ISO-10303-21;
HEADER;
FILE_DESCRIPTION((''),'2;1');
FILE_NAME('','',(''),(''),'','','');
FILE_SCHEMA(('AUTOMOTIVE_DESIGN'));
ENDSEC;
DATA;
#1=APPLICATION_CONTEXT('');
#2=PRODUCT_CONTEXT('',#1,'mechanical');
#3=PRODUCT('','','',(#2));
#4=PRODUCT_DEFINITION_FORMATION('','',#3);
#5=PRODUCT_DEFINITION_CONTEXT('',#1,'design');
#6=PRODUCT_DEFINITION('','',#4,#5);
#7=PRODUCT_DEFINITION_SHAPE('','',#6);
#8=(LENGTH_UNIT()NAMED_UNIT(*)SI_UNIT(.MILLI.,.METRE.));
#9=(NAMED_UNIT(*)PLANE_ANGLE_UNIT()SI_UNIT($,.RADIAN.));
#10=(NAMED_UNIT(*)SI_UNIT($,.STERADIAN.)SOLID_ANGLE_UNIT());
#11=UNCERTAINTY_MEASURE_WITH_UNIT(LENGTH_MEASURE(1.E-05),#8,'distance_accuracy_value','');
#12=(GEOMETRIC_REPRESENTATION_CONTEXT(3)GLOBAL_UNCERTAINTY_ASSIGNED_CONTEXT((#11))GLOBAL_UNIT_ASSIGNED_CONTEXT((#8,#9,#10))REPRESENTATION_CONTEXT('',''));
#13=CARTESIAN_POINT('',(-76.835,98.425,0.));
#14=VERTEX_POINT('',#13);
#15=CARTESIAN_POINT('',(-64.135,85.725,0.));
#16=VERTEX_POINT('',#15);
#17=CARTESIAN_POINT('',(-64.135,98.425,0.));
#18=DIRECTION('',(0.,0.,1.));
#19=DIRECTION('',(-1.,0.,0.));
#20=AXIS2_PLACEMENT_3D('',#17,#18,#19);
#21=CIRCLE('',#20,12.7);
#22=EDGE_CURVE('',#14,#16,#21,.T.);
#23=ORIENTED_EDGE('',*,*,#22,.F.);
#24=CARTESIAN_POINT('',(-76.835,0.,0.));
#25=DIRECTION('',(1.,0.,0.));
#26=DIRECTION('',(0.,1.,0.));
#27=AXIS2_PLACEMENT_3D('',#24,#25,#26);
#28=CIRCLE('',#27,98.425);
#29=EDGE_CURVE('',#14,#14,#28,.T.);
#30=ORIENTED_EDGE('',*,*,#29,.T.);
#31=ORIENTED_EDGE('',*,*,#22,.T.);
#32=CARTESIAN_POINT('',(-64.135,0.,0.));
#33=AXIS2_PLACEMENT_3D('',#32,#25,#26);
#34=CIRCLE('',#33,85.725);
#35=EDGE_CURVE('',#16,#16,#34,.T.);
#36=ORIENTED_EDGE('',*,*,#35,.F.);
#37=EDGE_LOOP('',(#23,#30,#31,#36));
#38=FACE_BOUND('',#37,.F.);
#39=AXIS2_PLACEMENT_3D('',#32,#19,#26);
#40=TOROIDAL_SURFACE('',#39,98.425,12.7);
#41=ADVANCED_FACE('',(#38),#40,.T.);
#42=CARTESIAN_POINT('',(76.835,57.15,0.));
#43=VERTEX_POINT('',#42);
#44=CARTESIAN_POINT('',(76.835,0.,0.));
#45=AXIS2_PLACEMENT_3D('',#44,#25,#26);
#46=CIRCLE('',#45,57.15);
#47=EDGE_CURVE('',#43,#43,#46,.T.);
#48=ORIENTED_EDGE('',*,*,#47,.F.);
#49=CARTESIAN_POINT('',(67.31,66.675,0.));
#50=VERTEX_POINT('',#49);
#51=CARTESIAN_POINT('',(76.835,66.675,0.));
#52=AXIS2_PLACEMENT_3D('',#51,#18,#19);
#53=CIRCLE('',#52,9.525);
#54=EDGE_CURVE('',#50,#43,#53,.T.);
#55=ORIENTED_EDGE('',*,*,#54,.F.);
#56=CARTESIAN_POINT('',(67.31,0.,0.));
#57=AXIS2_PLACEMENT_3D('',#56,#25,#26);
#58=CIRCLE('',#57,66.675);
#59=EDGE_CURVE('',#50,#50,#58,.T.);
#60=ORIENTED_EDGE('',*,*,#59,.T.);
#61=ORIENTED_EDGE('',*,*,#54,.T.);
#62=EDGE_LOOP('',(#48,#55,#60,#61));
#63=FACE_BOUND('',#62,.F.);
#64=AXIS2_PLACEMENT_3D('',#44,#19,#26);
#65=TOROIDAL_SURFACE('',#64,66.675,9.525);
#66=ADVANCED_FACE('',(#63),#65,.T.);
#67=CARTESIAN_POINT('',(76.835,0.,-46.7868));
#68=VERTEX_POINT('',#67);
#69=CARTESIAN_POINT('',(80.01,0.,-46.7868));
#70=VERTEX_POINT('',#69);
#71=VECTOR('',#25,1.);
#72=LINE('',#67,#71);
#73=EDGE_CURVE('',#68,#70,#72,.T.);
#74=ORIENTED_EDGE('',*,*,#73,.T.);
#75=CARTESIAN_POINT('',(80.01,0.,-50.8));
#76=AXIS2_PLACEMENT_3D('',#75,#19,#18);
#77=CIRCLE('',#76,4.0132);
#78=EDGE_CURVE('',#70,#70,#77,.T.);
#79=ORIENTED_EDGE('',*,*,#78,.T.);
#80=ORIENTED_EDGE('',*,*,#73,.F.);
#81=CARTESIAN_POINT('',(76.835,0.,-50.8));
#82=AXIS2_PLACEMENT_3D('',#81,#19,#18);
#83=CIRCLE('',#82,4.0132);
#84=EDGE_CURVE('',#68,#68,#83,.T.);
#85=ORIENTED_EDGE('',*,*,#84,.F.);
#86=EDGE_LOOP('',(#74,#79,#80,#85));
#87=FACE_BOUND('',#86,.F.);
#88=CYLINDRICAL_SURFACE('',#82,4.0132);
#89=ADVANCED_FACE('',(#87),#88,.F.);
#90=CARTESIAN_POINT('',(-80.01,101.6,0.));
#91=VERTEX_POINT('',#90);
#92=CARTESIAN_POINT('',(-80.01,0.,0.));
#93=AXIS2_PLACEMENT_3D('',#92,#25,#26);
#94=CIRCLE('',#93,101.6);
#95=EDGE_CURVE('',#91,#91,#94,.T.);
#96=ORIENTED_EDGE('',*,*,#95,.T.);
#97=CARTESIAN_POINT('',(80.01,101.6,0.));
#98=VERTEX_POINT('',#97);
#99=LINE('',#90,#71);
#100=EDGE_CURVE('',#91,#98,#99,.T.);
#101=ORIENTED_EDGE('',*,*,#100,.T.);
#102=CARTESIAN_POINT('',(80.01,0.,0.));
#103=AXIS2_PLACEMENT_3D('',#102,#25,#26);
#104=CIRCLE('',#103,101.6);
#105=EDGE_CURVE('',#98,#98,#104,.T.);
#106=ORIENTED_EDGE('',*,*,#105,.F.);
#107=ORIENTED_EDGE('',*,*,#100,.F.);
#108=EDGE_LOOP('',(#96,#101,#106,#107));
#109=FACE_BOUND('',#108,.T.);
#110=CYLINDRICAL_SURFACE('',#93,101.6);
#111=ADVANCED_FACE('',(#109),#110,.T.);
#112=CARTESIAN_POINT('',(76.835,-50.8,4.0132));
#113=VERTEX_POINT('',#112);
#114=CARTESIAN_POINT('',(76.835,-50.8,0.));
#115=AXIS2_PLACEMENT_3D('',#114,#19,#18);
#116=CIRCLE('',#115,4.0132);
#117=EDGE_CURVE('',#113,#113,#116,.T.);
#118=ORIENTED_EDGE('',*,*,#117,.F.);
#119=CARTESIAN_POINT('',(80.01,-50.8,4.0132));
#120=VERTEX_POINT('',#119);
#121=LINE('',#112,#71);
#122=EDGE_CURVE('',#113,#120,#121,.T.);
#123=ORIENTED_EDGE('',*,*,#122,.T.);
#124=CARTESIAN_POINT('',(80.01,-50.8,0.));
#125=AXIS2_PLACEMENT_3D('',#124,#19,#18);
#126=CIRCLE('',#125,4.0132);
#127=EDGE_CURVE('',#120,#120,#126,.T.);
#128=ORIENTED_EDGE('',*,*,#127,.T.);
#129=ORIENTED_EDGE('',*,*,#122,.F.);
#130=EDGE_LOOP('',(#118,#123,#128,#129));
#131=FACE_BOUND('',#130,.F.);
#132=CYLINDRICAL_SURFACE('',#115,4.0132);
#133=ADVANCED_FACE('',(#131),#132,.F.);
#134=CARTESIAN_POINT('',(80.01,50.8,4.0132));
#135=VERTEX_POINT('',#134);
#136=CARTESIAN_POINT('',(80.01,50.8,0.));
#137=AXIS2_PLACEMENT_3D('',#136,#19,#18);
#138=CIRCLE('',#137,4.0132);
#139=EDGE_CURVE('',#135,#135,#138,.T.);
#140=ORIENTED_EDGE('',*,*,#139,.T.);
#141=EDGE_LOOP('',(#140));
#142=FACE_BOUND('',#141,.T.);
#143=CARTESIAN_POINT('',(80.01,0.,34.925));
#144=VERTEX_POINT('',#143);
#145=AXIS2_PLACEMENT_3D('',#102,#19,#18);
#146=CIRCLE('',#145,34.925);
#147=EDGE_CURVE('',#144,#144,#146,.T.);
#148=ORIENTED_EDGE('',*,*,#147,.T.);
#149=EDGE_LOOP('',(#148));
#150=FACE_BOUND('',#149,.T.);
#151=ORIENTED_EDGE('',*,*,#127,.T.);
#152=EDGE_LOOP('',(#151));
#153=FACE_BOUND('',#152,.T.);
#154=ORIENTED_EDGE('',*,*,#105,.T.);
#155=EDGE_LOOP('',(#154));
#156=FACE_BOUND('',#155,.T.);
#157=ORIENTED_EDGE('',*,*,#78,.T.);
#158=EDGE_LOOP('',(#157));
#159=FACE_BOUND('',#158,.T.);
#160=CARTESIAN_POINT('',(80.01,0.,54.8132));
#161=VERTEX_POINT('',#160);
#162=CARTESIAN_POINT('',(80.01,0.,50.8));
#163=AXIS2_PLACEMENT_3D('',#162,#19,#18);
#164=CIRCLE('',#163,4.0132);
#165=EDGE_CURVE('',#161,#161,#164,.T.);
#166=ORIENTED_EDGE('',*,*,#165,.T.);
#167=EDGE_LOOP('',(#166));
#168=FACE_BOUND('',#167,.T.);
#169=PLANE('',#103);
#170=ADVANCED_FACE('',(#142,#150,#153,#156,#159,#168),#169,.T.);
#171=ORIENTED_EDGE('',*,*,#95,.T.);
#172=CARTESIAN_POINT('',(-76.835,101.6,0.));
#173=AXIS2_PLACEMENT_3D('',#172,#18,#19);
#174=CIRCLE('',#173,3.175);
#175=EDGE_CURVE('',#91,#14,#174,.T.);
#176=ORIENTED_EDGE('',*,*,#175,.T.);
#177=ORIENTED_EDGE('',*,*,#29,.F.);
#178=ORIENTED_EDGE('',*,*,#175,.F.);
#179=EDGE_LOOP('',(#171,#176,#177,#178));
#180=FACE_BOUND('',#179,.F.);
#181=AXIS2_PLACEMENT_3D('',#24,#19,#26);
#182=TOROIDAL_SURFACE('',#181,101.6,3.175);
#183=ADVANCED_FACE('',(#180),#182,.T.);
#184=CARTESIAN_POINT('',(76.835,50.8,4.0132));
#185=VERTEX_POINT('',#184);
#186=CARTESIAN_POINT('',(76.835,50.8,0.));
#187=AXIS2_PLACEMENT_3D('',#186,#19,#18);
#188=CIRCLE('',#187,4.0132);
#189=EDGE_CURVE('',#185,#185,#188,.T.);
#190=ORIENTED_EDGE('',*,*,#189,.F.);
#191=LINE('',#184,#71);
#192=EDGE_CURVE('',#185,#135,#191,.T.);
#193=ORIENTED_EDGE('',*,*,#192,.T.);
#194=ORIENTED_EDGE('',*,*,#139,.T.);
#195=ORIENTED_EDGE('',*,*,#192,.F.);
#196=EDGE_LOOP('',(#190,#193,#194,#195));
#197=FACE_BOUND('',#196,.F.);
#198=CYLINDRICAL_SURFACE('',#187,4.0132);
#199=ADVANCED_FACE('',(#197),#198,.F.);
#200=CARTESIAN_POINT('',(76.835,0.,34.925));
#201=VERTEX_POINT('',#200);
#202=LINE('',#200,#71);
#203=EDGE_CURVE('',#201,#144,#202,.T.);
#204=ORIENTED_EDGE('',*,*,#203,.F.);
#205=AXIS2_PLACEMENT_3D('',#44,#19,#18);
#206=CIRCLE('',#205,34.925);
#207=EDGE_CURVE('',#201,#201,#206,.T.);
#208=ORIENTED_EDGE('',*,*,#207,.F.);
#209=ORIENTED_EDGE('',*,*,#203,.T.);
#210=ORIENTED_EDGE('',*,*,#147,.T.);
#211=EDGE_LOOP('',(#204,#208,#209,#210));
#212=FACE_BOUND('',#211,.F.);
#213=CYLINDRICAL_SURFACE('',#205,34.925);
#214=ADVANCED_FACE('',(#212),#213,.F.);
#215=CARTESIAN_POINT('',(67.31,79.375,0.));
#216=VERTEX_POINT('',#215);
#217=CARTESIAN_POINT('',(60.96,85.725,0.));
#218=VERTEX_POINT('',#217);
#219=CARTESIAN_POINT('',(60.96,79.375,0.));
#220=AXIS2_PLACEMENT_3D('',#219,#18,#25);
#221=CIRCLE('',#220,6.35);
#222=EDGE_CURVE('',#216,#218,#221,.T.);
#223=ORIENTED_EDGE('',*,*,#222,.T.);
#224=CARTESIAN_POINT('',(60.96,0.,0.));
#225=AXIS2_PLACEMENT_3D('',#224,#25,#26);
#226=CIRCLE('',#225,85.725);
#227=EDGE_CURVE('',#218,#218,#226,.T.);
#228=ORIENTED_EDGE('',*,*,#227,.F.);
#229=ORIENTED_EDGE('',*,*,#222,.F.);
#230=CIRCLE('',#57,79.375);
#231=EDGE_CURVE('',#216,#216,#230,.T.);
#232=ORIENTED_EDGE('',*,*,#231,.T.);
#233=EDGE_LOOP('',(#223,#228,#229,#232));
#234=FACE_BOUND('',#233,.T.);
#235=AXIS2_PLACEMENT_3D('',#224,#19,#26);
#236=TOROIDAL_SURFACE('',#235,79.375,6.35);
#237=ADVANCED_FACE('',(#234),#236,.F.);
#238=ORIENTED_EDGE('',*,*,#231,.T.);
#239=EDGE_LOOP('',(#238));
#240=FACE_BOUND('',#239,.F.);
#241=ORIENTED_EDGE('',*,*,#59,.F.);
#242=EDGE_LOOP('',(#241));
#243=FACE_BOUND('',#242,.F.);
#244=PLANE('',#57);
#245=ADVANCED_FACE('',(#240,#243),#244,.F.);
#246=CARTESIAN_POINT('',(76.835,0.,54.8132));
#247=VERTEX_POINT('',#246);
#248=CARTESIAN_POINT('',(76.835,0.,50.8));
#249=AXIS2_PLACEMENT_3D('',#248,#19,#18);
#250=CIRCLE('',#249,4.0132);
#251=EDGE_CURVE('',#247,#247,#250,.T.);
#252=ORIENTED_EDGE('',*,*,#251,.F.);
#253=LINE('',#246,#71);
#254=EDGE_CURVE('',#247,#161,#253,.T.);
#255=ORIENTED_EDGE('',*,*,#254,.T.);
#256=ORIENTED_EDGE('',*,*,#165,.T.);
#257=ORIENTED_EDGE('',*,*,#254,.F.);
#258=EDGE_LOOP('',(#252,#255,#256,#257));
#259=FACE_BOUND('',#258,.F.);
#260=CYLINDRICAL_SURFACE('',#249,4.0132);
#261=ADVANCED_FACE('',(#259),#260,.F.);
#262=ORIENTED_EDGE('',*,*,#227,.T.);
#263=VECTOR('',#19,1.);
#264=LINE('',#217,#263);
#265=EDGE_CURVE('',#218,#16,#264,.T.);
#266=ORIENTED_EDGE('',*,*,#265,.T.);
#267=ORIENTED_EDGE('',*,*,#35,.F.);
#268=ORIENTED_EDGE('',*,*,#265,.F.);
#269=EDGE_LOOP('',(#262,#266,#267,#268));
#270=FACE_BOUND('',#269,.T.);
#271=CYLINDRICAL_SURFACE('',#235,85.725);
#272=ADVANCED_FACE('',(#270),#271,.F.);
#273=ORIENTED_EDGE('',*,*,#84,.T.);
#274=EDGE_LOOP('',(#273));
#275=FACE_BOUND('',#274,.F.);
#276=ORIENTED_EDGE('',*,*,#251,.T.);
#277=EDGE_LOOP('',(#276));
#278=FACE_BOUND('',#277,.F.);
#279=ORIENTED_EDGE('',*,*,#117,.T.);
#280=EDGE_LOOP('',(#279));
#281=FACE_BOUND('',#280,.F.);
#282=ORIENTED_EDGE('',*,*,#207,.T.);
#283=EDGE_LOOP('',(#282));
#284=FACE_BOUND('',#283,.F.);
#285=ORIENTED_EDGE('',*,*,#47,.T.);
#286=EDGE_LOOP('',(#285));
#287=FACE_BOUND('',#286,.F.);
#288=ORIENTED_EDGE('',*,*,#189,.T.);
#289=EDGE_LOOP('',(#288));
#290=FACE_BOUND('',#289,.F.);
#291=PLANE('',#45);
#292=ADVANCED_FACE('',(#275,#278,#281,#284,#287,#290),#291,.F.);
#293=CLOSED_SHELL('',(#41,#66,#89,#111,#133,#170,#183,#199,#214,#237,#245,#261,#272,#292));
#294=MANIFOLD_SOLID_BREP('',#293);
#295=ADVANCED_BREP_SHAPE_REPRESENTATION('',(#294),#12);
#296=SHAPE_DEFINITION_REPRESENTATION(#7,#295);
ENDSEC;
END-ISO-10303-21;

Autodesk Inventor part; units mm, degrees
ref_plane "YZ Plane" through (0, 0, 0) normal (1, 0, 0) x (0, 1, 0)
ref_plane "XZ Plane" through (0, 0, 0) normal (0, 1, 0) x (-1, 0, 0)
ref_plane "XY Plane" through (0, 0, 0) normal (0, 0, 1) x (1, 0, 0)
sketch "Sketch1" plane through (0, 0, 0) normal (0, 0, 1) x (1, 0, 0)
  line L0 (-179.5854, 0) -> (123.2759, 0) projected
  line L1 (0, -20.32) -> (0, 121.92) projected
  line L2 (-80.01, 101.6) -> (80.01, 101.6)
  line L3 (80.01, 50.8) -> (-80.01, 50.8) construction
  line L4 (80.01, 0) -> (-136.3195, 0) construction
  arc A0 (-80.01, 101.6) -> (-76.835, 98.425) centre (-76.835, 101.6) ccw
  line L5 (60.96, 85.725) -> (-64.135, 85.725)
  arc A1 (-76.835, 98.425) -> (-64.135, 85.725) centre (-64.135, 98.425) ccw
  arc A2 (67.31, 66.675) -> (76.835, 57.15) centre (76.835, 66.675) ccw
  arc A3 (67.31, 79.375) -> (60.96, 85.725) centre (60.96, 79.375) ccw
  line L6 (67.31, 79.375) -> (67.31, 66.675)
  line L7 (80.01, 101.6) -> (80.01, 0)
  line L8 (80.01, 98.425) -> (-76.835, 98.425) construction
  line L9 (-64.135, 85.725) -> (-64.135, 101.6) construction
  line L10 (-76.835, 98.425) -> (-76.835, 101.6) construction
  line L11 (60.96, 85.725) -> (80.01, 85.725) construction
  line L12 (67.31, 79.375) -> (80.01, 79.375) construction
  line L13 (60.96, 50.8) -> (60.96, 101.6) construction
  line L14 (67.31, 66.675) -> (80.01, 66.675) construction
  line L15 (76.835, 57.15) -> (76.835, 0)
  line L16 (76.835, 57.15) -> (80.01, 57.15) construction
  line L17 (76.835, 0) -> (80.01, 0)
  point P0 (0, 0)
  point P1 (0, 101.6)
  dimension "d0" = 101.6
  dimension "d2" = 160.02
  dimension "d4" = 50.8
  dimension "d10" = 6.35
  dimension "d11" = 12.7
  dimension "d13" = 3.175
  dimension "d14" = 34.925
  dimension "d15" = 19.05
  dimension "d16" = 12.7
revolve "Revolution1" add sketch "Sketch1" angle 360 about axis through (-10, 0, 0) along (1, 0, 0) contours L15 A2 L6 A3 L5 L1 L2 L7 L0 | L5 A1 A0 L2 L1
sketch "Sketch2" plane through (76.835, 0, 0) normal (-1, 0, 0) x (0, 0, 1)
  circle A0 centre (0, 0) radius 57.15 projected
  circle A1 centre (0, 0) radius 50.8 construction
  circle A2 centre (0, 0) radius 34.925
  circle A3 centre (0, 50.8) radius 4.0132
  circle A4 centre (-50.8, 0) radius 4.0132
  circle A5 centre (0, -50.8) radius 4.0132
  circle A6 centre (50.8, 0) radius 4.0132
  dimension "d18" = 101.6
  dimension "d19" = 69.85
  dimension "d20" = 8.0264
  dimension "d23" = 360
extrude "Extrusion1" cut sketch "Sketch2" against normal through all contours A2 | A3 | A4 | A5 | A6
properties part number "rim_8 in x 6.3 in"
